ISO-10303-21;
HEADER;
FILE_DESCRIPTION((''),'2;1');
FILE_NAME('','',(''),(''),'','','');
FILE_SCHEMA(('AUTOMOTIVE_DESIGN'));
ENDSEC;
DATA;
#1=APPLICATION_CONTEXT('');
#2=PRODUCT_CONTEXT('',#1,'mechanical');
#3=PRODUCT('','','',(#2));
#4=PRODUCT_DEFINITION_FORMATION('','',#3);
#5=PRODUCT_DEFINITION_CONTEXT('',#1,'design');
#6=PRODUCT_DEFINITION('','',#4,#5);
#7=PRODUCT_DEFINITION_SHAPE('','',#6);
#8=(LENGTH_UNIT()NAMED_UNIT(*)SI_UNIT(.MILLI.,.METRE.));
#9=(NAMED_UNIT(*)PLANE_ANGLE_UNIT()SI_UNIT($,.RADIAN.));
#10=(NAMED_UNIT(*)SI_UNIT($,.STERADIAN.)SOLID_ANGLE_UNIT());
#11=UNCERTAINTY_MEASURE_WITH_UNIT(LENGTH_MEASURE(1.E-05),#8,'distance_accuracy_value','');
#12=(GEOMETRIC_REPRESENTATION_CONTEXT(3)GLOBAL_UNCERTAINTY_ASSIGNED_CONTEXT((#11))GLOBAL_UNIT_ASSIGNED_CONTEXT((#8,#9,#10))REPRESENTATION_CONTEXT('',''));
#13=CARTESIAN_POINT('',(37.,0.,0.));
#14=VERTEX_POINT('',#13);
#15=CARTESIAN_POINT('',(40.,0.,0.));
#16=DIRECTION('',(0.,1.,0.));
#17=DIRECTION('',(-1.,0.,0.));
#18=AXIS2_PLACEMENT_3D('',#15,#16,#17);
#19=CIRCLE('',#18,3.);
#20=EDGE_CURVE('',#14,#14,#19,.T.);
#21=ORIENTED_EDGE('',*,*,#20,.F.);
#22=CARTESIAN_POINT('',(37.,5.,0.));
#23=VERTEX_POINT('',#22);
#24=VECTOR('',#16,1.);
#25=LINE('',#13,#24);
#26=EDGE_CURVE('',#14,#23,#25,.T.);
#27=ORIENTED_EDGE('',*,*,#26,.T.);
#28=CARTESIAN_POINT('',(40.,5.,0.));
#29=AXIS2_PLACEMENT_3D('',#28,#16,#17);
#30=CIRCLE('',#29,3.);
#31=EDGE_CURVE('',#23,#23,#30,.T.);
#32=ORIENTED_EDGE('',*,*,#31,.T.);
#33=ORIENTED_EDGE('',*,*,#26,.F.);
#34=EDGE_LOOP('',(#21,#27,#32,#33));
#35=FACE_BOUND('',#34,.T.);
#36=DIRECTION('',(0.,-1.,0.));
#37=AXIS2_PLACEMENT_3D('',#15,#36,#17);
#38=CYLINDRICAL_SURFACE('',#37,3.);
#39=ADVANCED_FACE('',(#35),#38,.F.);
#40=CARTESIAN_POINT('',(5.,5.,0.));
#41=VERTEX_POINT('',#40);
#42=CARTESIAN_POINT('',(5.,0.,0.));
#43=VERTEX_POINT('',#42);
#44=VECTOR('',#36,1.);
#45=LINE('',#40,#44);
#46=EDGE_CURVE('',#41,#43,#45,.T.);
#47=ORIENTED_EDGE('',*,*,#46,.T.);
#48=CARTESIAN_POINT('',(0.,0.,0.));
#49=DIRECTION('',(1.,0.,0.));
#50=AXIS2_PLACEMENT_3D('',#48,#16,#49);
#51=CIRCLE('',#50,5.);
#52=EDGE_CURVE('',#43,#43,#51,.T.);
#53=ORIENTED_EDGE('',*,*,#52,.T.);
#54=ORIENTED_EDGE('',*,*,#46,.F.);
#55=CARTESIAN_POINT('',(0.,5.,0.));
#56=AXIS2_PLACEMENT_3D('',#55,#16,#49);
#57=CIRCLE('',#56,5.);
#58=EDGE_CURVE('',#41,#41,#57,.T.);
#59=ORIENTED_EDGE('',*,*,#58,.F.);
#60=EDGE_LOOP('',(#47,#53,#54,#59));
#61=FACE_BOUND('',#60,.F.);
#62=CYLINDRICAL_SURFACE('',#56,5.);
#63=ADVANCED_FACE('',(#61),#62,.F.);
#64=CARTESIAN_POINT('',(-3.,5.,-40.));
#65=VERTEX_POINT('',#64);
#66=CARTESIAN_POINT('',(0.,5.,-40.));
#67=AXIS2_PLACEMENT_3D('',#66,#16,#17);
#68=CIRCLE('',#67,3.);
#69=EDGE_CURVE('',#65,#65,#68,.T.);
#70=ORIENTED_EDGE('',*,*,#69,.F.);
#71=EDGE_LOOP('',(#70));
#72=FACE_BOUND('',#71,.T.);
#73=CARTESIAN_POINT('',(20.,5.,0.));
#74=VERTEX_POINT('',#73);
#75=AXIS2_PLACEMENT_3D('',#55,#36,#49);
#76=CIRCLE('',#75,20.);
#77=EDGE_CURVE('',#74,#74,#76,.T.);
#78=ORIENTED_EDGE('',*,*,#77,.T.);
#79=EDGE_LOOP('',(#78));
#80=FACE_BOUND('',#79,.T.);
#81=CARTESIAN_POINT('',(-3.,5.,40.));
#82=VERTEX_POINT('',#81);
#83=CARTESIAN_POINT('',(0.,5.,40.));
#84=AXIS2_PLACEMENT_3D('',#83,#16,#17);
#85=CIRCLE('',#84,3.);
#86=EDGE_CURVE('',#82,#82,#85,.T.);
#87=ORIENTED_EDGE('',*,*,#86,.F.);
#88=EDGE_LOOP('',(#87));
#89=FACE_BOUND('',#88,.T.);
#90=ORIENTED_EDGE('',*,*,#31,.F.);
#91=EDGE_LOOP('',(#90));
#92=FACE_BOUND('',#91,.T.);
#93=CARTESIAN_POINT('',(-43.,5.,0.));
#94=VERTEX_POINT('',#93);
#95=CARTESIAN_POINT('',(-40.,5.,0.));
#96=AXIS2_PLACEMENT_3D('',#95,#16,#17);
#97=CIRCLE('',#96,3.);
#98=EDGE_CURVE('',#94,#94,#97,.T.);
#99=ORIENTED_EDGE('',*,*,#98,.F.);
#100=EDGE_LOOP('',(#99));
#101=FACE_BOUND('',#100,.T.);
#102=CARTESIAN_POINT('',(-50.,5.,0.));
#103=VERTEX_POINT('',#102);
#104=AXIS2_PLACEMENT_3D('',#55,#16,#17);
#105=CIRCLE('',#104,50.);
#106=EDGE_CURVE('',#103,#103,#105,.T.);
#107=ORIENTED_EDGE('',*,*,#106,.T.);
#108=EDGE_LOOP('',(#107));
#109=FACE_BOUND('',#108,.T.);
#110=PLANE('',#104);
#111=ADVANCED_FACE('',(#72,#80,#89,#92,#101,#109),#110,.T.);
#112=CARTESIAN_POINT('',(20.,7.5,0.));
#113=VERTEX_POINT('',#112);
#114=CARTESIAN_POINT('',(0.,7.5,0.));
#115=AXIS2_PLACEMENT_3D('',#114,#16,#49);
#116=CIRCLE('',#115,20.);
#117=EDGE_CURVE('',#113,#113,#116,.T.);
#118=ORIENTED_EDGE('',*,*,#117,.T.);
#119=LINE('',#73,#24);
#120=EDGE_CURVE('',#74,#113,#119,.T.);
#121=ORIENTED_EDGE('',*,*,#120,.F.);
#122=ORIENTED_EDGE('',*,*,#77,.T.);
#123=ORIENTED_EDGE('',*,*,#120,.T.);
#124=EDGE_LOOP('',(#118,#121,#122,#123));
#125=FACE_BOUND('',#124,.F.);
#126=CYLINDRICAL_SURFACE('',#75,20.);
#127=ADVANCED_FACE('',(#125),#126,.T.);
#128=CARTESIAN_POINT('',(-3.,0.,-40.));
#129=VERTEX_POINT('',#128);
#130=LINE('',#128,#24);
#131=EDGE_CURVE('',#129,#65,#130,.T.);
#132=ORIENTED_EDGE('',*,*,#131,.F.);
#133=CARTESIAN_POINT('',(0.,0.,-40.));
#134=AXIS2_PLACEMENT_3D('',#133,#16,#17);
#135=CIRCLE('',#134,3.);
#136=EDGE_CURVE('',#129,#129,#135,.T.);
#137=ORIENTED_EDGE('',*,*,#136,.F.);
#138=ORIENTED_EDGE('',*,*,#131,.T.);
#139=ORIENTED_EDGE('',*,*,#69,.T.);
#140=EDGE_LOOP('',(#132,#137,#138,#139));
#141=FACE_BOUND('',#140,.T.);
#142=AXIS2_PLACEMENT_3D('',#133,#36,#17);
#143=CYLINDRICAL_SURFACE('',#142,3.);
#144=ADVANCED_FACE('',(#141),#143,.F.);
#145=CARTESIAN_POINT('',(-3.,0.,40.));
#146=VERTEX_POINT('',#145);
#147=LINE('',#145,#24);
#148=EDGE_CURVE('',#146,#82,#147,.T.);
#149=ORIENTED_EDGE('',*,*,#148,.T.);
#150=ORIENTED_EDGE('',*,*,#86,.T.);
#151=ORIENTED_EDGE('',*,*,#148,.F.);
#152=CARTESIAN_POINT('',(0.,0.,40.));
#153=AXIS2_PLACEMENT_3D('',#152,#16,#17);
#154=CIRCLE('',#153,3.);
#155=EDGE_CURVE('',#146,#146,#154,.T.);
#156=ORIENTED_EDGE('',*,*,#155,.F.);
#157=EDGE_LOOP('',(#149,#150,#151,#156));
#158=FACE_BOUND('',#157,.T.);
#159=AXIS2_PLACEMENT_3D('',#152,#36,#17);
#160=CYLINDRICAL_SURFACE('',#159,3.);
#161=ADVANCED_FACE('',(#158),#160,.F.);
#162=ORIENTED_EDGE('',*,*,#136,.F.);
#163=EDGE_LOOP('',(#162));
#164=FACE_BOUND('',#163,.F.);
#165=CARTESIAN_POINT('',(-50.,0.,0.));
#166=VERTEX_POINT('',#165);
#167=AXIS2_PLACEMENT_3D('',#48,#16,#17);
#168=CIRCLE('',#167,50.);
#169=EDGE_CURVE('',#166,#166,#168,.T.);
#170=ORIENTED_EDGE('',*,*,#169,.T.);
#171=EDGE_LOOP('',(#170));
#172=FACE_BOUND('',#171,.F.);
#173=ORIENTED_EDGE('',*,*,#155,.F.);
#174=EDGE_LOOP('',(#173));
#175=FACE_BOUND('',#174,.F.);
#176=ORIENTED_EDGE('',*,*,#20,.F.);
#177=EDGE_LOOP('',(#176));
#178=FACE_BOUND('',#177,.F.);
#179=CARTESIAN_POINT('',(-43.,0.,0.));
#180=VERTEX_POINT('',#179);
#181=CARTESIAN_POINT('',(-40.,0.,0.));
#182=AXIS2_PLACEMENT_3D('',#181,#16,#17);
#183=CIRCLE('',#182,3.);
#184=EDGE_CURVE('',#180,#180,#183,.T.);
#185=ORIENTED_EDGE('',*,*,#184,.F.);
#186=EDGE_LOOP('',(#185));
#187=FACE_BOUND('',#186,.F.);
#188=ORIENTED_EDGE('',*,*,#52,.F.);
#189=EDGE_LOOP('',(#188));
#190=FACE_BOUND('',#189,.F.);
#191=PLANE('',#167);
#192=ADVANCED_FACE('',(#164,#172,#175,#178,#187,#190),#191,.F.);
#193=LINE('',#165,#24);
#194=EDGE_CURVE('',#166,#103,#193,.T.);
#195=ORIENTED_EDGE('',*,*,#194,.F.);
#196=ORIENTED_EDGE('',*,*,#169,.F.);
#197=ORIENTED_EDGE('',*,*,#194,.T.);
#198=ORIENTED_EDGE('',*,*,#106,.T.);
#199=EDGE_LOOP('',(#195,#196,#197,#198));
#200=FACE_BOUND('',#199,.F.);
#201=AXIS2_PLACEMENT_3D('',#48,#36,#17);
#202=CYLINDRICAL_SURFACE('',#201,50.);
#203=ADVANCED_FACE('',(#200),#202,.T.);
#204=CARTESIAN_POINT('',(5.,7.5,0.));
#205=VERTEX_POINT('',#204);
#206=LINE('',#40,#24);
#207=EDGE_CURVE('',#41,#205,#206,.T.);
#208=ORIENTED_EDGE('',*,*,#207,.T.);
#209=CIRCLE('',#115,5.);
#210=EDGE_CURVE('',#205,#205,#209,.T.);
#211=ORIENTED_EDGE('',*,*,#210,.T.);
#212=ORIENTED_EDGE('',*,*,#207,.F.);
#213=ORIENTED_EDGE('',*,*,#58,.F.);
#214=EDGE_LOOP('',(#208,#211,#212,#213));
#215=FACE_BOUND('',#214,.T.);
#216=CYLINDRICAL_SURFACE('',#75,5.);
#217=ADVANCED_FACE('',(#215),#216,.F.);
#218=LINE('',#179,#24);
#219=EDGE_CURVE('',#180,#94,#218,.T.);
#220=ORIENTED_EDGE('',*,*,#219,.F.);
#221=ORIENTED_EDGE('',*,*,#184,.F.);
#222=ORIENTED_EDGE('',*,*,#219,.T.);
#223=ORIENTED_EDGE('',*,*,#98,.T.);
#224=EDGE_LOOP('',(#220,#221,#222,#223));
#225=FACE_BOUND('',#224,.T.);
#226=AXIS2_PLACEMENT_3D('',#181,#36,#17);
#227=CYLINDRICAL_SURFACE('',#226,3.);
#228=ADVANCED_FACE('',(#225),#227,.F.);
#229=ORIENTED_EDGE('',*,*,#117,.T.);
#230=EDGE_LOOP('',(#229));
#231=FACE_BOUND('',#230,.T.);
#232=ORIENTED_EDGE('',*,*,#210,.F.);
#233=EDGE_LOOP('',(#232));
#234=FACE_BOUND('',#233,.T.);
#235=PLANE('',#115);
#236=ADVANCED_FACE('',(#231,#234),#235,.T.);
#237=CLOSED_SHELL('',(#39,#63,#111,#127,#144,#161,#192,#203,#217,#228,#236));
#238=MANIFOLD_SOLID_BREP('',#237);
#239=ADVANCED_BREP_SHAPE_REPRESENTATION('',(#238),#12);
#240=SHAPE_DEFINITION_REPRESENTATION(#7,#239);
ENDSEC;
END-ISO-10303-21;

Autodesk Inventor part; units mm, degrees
ref_plane "YZ Plane" through (0, 0, 0) normal (1, 0, 0) x (0, 1, 0)
ref_plane "XZ Plane" through (0, 0, 0) normal (0, 1, 0) x (-1, 0, 0)
ref_plane "XY Plane" through (0, 0, 0) normal (0, 0, 1) x (1, 0, 0)
sketch "Szkic1" plane through (0, 0, 0) normal (0, 1, 0) x (-1, 0, 0)
  circle A0 centre (0, 0) radius 50
  circle A1 centre (0, 40) radius 3
  circle A2 centre (0, -40) radius 3
  circle A3 centre (40, 0) radius 3
  circle A4 centre (-40, 0) radius 3
  circle A5 centre (0, 0) radius 20
  dimension "d0" = 100
  dimension "d1" = 6
  dimension "d2" = 6
  dimension "d3" = 6
  dimension "d4" = 6
  dimension "d5" = 40
  dimension "d6" = 80
  dimension "d7" = 40
  dimension "d8" = 80
  dimension "d9" = 40
extrude "Wyciągnięcie proste1" add sketch "Szkic1" along normal blind 5
sketch "Szkic2" plane through (0, 5, 0) normal (0, 1, 0) x (1, 0, 0)
  point P0 (0, 0)
sketch "Szkic3" plane through (0, 5, 0) normal (0, 1, 0) x (1, 0, 0)
  circle A0 centre (0, 0) radius 20
  circle A1 centre (0, 0) radius 5
  dimension "d12" = 40
  dimension "d13" = 10
extrude "Wyciągnięcie proste2" add sketch "Szkic3" along normal blind 2.5 and the other way blind 5
thread "Gwint1" size "M10x1.5" class "6H" standard "ANSI Metric M Profile" length 100
thread "Gwint2" size "M10x1.5" class "6H" standard "ANSI Metric M Profile" length 100
thread "Gwint3" size "M10x1.5" class "6H" standard "ANSI Metric M Profile" length 100
thread "Gwint4" size "M10x1.5" class "6H" standard "ANSI Metric M Profile" length 100
thread "Gwint5" size "M10x1.5" class "6H" standard "ANSI Metric M Profile" length 31.37
properties part number "płytka"
